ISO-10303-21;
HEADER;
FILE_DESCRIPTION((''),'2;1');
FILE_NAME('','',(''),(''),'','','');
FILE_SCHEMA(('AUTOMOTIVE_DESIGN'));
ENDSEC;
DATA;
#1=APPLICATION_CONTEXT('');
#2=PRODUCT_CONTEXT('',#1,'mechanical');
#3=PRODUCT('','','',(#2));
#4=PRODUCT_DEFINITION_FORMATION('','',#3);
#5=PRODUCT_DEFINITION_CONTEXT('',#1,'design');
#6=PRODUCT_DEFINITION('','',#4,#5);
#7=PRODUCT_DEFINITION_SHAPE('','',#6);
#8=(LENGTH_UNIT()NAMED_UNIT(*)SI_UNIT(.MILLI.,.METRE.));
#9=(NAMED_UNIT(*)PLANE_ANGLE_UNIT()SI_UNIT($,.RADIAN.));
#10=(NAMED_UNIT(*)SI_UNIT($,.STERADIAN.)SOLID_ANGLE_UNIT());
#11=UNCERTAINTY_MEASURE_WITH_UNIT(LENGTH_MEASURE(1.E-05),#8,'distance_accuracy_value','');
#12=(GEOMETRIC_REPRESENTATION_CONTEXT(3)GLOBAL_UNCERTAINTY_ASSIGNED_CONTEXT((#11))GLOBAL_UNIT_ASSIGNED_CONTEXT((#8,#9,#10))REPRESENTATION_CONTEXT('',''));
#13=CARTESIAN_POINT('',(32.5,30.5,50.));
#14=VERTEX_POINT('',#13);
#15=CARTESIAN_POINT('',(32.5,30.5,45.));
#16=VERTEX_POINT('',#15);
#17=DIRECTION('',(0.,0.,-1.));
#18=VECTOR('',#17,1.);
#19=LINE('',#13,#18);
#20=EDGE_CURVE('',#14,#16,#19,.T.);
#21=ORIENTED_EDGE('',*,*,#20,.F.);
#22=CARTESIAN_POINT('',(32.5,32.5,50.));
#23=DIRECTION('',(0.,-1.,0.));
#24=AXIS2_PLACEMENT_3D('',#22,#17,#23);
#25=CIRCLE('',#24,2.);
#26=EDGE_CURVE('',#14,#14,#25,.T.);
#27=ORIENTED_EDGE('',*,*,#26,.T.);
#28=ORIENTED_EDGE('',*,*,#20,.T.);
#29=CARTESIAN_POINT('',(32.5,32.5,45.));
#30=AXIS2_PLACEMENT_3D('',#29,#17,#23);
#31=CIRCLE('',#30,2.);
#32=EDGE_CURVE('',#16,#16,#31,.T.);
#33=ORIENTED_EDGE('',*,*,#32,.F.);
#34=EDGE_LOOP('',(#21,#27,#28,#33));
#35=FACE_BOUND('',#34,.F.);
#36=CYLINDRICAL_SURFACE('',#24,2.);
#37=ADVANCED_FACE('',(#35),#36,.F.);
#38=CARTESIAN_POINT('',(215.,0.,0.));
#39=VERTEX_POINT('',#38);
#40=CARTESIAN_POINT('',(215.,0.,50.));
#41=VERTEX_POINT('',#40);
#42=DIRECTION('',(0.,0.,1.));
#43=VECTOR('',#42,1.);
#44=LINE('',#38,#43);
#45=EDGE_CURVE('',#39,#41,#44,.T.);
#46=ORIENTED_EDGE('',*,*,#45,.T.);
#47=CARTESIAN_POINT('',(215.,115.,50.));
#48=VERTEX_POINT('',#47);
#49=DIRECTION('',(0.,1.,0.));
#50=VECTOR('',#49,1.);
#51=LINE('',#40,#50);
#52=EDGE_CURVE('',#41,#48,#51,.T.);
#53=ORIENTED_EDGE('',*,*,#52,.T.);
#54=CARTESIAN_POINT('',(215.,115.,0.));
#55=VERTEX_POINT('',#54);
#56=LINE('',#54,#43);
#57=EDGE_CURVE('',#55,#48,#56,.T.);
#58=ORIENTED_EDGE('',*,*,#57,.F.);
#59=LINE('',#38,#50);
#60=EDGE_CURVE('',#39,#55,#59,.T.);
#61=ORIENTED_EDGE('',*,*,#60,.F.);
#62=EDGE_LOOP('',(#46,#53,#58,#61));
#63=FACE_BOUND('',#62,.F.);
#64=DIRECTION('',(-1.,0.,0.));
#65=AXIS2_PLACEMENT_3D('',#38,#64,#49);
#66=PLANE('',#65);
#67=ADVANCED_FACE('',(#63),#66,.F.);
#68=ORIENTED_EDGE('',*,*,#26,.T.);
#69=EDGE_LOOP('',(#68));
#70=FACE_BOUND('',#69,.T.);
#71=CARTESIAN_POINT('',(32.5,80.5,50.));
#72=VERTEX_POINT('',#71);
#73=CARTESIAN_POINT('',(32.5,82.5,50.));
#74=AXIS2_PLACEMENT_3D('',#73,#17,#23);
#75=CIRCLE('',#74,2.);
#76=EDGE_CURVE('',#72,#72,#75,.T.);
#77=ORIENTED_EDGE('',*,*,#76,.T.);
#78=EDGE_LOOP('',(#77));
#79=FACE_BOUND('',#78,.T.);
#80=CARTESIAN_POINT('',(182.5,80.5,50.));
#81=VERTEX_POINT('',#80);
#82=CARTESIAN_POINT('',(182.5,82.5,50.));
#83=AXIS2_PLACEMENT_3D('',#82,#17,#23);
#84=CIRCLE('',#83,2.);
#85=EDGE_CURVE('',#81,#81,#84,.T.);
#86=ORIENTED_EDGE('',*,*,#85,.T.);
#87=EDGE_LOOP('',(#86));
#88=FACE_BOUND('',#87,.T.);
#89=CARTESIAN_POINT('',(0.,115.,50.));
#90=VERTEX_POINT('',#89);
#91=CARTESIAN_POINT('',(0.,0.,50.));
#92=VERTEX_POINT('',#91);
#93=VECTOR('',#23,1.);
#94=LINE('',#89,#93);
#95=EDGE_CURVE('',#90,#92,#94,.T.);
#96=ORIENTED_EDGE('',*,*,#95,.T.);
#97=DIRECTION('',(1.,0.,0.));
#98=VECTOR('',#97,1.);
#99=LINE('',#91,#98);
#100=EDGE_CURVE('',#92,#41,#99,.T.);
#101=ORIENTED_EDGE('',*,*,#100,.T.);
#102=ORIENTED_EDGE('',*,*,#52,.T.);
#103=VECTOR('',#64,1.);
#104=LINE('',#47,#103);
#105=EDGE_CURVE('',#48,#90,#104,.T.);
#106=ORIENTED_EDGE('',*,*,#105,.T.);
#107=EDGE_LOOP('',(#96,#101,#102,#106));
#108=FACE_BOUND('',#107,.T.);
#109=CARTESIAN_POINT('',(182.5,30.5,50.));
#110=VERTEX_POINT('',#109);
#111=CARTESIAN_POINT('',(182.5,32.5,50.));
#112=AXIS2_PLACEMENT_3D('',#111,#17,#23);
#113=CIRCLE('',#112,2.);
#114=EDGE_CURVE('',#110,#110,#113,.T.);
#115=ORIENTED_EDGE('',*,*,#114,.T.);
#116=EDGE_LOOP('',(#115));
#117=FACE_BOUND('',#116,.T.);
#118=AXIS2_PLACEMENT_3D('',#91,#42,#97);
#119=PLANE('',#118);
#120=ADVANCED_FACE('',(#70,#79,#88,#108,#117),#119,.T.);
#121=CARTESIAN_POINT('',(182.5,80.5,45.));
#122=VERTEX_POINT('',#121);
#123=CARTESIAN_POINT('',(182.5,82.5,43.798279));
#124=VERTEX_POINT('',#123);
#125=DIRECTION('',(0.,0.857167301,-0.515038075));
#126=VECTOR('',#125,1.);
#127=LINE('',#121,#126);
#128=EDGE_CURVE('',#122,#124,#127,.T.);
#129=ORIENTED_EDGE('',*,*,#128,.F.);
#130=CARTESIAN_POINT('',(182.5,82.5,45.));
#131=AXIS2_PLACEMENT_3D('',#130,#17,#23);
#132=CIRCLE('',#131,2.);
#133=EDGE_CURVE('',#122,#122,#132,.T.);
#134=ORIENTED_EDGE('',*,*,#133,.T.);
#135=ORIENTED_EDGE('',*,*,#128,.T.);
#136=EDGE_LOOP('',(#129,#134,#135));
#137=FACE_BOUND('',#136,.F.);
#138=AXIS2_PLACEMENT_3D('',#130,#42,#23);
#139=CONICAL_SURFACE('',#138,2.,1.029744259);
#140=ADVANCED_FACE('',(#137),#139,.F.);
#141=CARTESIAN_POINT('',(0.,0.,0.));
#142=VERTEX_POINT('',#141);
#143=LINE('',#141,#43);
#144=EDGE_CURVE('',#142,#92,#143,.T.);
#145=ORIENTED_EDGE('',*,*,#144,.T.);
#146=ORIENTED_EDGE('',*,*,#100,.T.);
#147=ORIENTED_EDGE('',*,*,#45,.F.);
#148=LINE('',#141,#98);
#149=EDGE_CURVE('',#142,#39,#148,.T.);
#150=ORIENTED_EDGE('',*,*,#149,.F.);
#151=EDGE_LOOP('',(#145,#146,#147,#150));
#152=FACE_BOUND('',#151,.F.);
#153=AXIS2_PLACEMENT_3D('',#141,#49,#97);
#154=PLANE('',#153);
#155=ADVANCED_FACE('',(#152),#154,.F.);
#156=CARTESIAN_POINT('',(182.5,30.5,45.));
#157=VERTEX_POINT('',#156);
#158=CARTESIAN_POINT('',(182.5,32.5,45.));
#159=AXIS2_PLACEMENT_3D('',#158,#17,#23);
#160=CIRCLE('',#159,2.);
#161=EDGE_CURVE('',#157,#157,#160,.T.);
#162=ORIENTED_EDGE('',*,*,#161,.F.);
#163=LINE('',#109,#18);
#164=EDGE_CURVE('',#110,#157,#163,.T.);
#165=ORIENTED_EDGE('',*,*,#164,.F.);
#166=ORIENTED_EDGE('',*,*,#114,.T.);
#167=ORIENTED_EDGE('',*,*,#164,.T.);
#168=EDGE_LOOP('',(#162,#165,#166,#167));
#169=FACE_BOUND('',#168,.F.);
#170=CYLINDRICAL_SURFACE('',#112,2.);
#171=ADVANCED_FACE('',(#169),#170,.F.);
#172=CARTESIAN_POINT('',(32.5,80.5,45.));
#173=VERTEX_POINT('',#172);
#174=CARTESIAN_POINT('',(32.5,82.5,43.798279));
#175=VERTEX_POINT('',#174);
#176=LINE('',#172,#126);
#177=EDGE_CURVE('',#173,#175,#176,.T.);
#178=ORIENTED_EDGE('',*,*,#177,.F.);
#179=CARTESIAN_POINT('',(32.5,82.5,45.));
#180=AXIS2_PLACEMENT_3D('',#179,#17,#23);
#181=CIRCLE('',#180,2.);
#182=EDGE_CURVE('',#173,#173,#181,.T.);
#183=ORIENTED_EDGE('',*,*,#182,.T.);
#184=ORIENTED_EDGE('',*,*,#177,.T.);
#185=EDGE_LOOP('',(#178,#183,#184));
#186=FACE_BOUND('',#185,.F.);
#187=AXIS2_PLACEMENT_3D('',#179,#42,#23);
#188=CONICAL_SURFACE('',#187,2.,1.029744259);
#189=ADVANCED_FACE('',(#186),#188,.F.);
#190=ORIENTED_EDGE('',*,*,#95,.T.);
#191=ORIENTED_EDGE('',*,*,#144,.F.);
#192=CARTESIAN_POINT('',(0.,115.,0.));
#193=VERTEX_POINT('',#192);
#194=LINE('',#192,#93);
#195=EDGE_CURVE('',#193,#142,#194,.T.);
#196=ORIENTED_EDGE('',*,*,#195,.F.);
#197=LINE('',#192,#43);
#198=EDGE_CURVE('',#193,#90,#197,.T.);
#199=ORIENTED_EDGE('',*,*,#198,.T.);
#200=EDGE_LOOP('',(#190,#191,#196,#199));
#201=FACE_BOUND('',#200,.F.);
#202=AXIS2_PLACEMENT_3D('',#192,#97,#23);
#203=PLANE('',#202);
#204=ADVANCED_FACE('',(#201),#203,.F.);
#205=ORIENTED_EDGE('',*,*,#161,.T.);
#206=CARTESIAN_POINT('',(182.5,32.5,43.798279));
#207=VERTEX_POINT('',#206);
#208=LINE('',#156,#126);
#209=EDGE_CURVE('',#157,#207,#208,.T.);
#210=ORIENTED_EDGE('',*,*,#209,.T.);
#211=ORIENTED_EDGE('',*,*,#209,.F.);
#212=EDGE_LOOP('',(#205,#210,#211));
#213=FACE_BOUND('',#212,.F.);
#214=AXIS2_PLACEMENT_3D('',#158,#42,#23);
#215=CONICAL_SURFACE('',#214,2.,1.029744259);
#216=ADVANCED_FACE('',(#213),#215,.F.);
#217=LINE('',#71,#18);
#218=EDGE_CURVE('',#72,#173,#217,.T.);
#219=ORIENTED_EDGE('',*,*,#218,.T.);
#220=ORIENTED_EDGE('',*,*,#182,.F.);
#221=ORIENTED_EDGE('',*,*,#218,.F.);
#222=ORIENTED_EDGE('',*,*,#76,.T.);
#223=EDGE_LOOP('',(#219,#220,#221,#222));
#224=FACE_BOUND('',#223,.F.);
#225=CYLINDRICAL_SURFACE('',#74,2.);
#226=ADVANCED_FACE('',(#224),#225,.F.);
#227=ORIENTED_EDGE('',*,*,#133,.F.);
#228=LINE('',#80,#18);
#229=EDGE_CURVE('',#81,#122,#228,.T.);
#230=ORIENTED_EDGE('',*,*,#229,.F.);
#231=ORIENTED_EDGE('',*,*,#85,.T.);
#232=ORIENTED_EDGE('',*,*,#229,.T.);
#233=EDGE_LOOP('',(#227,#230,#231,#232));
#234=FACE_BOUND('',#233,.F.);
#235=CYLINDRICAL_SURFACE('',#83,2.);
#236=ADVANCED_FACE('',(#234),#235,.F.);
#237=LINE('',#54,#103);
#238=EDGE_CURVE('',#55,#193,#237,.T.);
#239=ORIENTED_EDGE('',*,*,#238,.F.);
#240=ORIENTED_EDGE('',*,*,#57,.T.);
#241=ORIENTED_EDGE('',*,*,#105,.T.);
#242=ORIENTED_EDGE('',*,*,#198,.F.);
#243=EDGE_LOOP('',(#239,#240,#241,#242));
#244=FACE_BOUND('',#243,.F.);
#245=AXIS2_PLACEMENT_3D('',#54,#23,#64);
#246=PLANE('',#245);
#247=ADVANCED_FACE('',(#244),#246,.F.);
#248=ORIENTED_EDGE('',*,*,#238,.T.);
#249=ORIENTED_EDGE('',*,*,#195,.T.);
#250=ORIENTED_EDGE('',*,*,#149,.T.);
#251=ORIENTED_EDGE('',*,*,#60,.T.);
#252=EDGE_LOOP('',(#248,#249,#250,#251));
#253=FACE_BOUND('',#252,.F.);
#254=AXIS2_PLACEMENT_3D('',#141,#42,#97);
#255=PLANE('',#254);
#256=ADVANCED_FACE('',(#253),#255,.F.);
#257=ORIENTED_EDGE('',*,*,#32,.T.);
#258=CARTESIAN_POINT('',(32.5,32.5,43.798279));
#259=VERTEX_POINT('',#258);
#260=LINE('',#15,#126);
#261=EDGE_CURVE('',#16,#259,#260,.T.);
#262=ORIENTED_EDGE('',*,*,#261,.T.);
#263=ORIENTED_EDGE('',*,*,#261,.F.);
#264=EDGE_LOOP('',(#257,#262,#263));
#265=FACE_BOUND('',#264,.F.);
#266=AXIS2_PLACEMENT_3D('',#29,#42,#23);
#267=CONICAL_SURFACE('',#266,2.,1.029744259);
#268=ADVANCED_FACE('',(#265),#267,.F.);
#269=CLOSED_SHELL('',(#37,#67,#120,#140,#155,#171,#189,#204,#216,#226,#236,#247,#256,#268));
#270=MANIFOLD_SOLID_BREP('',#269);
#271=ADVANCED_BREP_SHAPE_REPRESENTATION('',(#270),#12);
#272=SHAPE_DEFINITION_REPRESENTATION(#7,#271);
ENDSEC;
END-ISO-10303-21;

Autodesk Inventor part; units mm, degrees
ref_plane "YZ Plane" through (0, 0, 0) normal (1, 0, 0) x (0, 1, 0)
ref_plane "XZ Plane" through (0, 0, 0) normal (0, 1, 0) x (-1, 0, 0)
ref_plane "XY Plane" through (0, 0, 0) normal (0, 0, 1) x (1, 0, 0)
sketch "Sketch1" plane through (0, 0, 0) normal (0, 0, 1) x (1, 0, 0)
  line L0 (0, 0) -> (215, 0)
  line L1 (215, 0) -> (215, 115)
  line L2 (215, 115) -> (0, 115)
  line L3 (0, 115) -> (0, 0)
  dimension "d0" = 215
  dimension "d2" = 115
extrude "Extrusion1" add sketch "Sketch1" along normal blind 50
sketch "Sketch2" plane through (0, 0, 50) normal (0, 0, 1) x (1, 0, 0)
  line L0 (215, 0) -> (215, 115) projected
  line L1 (215, 115) -> (0, 115) projected
  line L2 (32.5, 82.5) -> (182.5, 82.5)
  line L3 (182.5, 82.5) -> (182.5, 32.5)
  line L4 (182.5, 32.5) -> (32.5, 32.5)
  line L5 (32.5, 32.5) -> (32.5, 82.5)
  point P0 (107.5, 82.5)
  point P1 (107.5, 115)
  point P2 (182.5, 57.5)
  point P3 (215, 57.5)
  dimension "d5" = 150
  dimension "d7" = 50
hole "Hole1" at (32.5, 82.5, 50) at (32.5, 32.5, 50) at (182.5, 32.5, 50) at (182.5, 82.5, 50) direction (0, 0, -1) diameter 4 depth 5 tip angle 118
ref_plane "Work Plane1" through (107.5, 0, 0) normal (1, 0, 0) x (0, 0, -1)
properties part number "power supply"
